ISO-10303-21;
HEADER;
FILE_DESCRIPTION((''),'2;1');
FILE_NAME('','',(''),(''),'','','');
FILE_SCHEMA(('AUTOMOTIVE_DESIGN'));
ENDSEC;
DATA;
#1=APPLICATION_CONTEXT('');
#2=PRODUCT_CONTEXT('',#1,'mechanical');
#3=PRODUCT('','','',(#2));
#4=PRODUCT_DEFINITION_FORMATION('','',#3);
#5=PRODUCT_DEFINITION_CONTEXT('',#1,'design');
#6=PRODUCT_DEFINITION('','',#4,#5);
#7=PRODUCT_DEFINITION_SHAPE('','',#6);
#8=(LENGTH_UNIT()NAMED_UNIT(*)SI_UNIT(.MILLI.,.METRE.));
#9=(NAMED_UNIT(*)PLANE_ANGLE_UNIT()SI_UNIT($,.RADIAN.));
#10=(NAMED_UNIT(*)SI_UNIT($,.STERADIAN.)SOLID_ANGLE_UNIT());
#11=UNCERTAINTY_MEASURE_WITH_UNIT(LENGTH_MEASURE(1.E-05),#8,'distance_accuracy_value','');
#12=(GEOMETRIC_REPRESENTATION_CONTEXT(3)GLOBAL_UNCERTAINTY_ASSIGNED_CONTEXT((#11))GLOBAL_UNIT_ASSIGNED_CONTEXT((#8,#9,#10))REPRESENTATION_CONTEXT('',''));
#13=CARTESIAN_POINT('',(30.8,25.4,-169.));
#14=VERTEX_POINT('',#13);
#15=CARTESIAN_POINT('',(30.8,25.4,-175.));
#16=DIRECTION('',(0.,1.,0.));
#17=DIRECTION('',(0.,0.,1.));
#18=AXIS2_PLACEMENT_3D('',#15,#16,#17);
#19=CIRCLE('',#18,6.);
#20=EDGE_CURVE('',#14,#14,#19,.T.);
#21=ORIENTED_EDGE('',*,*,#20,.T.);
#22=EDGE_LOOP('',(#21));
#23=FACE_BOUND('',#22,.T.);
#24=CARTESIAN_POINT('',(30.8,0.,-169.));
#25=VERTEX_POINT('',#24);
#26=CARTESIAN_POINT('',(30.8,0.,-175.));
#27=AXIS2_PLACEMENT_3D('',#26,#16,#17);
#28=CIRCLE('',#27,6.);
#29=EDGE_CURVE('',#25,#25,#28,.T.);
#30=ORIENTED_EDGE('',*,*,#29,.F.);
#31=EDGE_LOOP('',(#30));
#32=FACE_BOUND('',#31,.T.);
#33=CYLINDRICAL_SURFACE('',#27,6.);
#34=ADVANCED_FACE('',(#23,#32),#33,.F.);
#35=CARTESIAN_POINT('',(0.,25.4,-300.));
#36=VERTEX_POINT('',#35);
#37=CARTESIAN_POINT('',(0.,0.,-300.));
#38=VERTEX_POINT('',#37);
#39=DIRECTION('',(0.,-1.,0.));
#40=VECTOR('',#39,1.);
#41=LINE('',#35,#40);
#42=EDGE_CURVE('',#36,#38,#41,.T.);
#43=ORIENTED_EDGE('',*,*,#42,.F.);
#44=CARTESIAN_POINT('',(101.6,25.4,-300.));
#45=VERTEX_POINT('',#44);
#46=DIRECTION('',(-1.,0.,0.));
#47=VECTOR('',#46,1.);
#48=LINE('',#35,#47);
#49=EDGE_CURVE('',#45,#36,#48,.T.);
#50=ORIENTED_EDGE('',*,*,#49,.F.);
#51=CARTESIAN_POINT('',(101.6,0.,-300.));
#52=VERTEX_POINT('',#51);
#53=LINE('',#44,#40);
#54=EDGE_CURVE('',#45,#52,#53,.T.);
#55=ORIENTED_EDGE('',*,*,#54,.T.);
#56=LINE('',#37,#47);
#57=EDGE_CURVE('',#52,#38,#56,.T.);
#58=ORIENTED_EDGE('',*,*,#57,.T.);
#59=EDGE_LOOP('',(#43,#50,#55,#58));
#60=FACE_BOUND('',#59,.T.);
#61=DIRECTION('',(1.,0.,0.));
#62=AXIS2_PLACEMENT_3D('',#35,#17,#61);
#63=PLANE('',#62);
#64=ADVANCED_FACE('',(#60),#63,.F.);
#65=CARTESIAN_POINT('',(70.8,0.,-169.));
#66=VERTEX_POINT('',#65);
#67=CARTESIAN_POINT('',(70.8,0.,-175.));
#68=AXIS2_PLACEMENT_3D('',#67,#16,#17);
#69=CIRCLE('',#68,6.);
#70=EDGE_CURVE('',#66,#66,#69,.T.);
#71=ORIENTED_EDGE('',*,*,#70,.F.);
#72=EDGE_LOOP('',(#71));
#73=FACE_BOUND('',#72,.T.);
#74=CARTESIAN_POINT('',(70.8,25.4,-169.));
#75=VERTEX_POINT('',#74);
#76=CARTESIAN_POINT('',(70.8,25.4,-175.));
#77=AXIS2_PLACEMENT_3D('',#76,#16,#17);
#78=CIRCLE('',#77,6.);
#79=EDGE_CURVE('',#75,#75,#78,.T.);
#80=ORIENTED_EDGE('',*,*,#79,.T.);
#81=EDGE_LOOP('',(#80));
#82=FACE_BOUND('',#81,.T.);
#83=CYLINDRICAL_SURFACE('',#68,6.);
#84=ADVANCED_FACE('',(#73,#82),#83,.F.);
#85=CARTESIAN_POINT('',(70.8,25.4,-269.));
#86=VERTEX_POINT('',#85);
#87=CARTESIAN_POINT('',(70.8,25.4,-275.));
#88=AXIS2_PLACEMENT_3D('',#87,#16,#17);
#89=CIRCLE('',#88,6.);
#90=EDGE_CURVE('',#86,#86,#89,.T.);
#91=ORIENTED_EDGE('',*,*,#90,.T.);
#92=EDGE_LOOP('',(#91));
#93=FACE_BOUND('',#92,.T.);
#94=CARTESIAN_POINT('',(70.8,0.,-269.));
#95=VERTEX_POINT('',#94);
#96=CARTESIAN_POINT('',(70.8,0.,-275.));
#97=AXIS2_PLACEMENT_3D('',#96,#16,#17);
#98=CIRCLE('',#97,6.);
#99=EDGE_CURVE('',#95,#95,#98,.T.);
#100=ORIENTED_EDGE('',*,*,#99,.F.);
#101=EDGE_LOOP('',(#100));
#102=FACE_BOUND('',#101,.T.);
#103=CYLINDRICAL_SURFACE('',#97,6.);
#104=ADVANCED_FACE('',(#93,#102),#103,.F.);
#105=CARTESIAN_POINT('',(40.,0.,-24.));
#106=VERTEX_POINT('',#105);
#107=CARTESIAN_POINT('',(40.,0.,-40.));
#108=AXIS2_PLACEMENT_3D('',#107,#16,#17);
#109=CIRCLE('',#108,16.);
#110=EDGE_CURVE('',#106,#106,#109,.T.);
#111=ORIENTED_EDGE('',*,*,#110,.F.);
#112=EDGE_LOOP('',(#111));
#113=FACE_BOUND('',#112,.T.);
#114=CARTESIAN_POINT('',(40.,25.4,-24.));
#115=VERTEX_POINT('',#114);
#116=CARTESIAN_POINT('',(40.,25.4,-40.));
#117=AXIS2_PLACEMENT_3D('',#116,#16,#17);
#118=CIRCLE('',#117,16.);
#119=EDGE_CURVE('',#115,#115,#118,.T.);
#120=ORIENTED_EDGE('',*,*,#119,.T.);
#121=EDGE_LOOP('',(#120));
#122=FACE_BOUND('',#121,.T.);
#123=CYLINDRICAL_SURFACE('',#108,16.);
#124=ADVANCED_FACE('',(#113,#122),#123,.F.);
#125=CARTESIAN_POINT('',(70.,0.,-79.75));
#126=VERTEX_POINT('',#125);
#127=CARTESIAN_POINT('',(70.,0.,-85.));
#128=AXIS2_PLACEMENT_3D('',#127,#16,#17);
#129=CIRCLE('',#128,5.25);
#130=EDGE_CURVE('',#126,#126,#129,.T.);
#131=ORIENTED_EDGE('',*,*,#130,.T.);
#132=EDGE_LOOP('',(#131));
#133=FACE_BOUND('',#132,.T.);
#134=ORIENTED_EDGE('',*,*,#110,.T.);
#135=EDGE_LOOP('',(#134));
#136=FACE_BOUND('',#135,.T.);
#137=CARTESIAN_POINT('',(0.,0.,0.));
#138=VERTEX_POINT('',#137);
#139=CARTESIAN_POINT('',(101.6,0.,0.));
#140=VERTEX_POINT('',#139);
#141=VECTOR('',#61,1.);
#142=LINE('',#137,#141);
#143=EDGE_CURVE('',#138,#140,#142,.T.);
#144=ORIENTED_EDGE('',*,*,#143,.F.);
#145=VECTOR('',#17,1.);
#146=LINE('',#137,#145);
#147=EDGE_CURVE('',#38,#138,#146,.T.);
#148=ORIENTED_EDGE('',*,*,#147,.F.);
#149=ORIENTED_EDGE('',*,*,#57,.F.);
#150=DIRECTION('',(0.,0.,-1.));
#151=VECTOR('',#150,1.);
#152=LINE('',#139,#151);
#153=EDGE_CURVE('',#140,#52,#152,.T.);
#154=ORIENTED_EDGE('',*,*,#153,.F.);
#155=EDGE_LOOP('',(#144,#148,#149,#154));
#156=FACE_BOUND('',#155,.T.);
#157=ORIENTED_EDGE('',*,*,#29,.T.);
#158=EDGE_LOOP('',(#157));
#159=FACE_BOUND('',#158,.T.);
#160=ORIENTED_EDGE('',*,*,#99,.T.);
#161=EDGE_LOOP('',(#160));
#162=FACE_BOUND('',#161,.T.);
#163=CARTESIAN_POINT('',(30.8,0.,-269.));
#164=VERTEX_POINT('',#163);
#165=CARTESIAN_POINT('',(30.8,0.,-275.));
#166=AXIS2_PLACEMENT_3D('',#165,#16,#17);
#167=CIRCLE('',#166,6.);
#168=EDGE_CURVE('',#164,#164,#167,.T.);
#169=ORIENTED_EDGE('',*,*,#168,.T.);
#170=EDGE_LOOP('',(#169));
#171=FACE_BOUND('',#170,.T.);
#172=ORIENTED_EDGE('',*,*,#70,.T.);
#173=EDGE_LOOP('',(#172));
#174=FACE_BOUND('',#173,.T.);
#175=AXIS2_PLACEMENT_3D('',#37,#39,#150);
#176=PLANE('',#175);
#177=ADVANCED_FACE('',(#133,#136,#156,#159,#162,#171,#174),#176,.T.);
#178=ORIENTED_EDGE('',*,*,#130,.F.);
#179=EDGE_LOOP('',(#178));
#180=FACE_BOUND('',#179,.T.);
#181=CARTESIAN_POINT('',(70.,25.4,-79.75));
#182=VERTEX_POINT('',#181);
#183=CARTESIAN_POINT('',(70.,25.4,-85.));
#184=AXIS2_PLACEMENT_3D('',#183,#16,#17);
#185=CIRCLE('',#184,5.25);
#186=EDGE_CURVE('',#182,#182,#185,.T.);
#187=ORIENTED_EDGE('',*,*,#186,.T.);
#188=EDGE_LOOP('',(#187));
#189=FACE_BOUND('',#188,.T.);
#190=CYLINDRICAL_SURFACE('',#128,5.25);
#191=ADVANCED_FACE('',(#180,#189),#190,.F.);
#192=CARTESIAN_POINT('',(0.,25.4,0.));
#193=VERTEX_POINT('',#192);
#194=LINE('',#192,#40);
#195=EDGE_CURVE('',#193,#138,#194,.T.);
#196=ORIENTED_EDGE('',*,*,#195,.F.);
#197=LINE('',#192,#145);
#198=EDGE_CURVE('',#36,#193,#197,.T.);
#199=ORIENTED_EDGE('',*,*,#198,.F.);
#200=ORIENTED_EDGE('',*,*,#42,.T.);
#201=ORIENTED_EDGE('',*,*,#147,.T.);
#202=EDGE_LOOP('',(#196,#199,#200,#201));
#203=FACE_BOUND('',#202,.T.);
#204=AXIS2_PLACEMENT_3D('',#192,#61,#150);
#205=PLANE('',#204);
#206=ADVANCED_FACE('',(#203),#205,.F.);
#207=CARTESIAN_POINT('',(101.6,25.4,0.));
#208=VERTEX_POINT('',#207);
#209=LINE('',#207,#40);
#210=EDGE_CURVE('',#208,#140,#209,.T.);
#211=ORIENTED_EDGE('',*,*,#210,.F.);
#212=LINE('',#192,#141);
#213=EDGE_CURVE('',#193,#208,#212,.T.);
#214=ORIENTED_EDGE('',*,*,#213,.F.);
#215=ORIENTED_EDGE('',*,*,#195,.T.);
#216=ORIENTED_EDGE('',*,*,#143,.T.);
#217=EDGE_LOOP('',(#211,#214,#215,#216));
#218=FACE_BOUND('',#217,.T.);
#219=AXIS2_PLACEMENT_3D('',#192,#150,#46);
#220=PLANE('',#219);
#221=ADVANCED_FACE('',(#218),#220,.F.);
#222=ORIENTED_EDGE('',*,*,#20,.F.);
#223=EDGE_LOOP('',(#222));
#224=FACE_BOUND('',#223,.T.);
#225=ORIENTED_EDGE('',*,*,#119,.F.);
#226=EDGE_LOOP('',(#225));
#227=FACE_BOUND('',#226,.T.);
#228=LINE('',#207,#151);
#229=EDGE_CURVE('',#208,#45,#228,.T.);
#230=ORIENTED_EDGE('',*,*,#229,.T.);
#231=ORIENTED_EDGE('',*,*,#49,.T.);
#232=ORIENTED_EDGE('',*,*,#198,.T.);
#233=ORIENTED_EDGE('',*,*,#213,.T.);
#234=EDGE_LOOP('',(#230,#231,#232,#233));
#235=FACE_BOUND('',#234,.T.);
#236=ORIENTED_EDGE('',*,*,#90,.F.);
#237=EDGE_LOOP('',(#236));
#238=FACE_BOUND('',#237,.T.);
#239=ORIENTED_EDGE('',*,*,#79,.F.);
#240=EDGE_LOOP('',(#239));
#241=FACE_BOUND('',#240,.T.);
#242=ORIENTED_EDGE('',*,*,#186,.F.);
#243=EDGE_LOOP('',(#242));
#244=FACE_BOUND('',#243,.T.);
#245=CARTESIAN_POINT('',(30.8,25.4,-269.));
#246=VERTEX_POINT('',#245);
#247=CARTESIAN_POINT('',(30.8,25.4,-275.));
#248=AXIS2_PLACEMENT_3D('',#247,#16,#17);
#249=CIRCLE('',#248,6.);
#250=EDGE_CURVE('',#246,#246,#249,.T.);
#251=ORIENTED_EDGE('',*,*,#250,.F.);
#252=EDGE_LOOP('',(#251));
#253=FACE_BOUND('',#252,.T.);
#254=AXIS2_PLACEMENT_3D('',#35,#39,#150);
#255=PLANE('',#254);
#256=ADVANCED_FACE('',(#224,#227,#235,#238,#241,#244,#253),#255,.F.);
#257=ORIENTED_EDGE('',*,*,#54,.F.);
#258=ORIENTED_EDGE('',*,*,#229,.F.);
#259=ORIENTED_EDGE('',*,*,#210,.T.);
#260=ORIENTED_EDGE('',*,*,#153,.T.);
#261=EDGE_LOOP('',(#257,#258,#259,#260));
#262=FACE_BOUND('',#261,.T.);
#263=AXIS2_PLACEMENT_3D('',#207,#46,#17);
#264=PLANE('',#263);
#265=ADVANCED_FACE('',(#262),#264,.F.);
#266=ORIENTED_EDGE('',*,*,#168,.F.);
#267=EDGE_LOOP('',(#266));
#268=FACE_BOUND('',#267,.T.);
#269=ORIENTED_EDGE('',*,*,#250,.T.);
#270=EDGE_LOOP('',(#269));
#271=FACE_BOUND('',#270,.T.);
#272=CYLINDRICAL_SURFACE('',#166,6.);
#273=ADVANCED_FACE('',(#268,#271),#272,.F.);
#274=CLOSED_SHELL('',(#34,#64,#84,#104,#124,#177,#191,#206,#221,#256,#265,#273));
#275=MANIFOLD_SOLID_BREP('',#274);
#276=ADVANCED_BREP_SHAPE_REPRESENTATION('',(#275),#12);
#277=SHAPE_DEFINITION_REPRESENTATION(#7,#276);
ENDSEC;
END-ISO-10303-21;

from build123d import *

# Parameters (mm, degrees)
SKETCH2_W           = 101.6
SKETCH2_H           = 300
BOSS_EXTRUDE1_DEPTH = 25.4
SKETCH3_R           = 6
CUT_EXTRUDE1_DEPTH  = 25.4
SKETCH4_R           = 16
CUT_EXTRUDE2_DEPTH  = 25.4
SKETCH5_R           = 5.25
CUT_EXTRUDE3_DEPTH  = 25.4


with BuildPart() as part:
    # Sketch2 → Boss-Extrude1 (new body)
    with BuildSketch(Plane(origin=(0, 0, 0), x_dir=(1, 0, 0), z_dir=(0, 1, 0))):
        with Locations((50.8, 150)):
            Rectangle(SKETCH2_W, SKETCH2_H)
    extrude(amount=BOSS_EXTRUDE1_DEPTH)

    # Sketch3 → Cut-Extrude1 (cut)
    with BuildSketch(Plane(origin=(0, 25.4, 0), x_dir=(1, 0, 0), z_dir=(0, 1, 0))):
        with Locations(Location((70.8, 275, 0), (0, 0, 270))):
            Circle(SKETCH3_R)
        with Locations(Location((30.8, 275, 0), (0, 0, 270))):
            Circle(SKETCH3_R)
        with Locations(Location((30.8, 175, 0), (0, 0, 270))):
            Circle(SKETCH3_R)
        with Locations(Location((70.8, 175, 0), (0, 0, 270))):
            Circle(SKETCH3_R)
    extrude(amount=-CUT_EXTRUDE1_DEPTH, mode=Mode.SUBTRACT)

    # Sketch4 → Cut-Extrude2 (cut)
    with BuildSketch(Plane(origin=(0, 25.4, 0), x_dir=(1, 0, 0), z_dir=(0, 1, 0))):
        with Locations(Location((40, 40, 0), (0, 0, 270))):
            Circle(SKETCH4_R)
    extrude(amount=-CUT_EXTRUDE2_DEPTH, mode=Mode.SUBTRACT)

    # Sketch5 → Cut-Extrude3 (cut)
    with BuildSketch(Plane(origin=(0, 25.4, 0), x_dir=(1, 0, 0), z_dir=(0, 1, 0))):
        with Locations(Location((70, 85, 0), (0, 0, 270))):
            Circle(SKETCH5_R)
    extrude(amount=-CUT_EXTRUDE3_DEPTH, mode=Mode.SUBTRACT)


solid = part.part
